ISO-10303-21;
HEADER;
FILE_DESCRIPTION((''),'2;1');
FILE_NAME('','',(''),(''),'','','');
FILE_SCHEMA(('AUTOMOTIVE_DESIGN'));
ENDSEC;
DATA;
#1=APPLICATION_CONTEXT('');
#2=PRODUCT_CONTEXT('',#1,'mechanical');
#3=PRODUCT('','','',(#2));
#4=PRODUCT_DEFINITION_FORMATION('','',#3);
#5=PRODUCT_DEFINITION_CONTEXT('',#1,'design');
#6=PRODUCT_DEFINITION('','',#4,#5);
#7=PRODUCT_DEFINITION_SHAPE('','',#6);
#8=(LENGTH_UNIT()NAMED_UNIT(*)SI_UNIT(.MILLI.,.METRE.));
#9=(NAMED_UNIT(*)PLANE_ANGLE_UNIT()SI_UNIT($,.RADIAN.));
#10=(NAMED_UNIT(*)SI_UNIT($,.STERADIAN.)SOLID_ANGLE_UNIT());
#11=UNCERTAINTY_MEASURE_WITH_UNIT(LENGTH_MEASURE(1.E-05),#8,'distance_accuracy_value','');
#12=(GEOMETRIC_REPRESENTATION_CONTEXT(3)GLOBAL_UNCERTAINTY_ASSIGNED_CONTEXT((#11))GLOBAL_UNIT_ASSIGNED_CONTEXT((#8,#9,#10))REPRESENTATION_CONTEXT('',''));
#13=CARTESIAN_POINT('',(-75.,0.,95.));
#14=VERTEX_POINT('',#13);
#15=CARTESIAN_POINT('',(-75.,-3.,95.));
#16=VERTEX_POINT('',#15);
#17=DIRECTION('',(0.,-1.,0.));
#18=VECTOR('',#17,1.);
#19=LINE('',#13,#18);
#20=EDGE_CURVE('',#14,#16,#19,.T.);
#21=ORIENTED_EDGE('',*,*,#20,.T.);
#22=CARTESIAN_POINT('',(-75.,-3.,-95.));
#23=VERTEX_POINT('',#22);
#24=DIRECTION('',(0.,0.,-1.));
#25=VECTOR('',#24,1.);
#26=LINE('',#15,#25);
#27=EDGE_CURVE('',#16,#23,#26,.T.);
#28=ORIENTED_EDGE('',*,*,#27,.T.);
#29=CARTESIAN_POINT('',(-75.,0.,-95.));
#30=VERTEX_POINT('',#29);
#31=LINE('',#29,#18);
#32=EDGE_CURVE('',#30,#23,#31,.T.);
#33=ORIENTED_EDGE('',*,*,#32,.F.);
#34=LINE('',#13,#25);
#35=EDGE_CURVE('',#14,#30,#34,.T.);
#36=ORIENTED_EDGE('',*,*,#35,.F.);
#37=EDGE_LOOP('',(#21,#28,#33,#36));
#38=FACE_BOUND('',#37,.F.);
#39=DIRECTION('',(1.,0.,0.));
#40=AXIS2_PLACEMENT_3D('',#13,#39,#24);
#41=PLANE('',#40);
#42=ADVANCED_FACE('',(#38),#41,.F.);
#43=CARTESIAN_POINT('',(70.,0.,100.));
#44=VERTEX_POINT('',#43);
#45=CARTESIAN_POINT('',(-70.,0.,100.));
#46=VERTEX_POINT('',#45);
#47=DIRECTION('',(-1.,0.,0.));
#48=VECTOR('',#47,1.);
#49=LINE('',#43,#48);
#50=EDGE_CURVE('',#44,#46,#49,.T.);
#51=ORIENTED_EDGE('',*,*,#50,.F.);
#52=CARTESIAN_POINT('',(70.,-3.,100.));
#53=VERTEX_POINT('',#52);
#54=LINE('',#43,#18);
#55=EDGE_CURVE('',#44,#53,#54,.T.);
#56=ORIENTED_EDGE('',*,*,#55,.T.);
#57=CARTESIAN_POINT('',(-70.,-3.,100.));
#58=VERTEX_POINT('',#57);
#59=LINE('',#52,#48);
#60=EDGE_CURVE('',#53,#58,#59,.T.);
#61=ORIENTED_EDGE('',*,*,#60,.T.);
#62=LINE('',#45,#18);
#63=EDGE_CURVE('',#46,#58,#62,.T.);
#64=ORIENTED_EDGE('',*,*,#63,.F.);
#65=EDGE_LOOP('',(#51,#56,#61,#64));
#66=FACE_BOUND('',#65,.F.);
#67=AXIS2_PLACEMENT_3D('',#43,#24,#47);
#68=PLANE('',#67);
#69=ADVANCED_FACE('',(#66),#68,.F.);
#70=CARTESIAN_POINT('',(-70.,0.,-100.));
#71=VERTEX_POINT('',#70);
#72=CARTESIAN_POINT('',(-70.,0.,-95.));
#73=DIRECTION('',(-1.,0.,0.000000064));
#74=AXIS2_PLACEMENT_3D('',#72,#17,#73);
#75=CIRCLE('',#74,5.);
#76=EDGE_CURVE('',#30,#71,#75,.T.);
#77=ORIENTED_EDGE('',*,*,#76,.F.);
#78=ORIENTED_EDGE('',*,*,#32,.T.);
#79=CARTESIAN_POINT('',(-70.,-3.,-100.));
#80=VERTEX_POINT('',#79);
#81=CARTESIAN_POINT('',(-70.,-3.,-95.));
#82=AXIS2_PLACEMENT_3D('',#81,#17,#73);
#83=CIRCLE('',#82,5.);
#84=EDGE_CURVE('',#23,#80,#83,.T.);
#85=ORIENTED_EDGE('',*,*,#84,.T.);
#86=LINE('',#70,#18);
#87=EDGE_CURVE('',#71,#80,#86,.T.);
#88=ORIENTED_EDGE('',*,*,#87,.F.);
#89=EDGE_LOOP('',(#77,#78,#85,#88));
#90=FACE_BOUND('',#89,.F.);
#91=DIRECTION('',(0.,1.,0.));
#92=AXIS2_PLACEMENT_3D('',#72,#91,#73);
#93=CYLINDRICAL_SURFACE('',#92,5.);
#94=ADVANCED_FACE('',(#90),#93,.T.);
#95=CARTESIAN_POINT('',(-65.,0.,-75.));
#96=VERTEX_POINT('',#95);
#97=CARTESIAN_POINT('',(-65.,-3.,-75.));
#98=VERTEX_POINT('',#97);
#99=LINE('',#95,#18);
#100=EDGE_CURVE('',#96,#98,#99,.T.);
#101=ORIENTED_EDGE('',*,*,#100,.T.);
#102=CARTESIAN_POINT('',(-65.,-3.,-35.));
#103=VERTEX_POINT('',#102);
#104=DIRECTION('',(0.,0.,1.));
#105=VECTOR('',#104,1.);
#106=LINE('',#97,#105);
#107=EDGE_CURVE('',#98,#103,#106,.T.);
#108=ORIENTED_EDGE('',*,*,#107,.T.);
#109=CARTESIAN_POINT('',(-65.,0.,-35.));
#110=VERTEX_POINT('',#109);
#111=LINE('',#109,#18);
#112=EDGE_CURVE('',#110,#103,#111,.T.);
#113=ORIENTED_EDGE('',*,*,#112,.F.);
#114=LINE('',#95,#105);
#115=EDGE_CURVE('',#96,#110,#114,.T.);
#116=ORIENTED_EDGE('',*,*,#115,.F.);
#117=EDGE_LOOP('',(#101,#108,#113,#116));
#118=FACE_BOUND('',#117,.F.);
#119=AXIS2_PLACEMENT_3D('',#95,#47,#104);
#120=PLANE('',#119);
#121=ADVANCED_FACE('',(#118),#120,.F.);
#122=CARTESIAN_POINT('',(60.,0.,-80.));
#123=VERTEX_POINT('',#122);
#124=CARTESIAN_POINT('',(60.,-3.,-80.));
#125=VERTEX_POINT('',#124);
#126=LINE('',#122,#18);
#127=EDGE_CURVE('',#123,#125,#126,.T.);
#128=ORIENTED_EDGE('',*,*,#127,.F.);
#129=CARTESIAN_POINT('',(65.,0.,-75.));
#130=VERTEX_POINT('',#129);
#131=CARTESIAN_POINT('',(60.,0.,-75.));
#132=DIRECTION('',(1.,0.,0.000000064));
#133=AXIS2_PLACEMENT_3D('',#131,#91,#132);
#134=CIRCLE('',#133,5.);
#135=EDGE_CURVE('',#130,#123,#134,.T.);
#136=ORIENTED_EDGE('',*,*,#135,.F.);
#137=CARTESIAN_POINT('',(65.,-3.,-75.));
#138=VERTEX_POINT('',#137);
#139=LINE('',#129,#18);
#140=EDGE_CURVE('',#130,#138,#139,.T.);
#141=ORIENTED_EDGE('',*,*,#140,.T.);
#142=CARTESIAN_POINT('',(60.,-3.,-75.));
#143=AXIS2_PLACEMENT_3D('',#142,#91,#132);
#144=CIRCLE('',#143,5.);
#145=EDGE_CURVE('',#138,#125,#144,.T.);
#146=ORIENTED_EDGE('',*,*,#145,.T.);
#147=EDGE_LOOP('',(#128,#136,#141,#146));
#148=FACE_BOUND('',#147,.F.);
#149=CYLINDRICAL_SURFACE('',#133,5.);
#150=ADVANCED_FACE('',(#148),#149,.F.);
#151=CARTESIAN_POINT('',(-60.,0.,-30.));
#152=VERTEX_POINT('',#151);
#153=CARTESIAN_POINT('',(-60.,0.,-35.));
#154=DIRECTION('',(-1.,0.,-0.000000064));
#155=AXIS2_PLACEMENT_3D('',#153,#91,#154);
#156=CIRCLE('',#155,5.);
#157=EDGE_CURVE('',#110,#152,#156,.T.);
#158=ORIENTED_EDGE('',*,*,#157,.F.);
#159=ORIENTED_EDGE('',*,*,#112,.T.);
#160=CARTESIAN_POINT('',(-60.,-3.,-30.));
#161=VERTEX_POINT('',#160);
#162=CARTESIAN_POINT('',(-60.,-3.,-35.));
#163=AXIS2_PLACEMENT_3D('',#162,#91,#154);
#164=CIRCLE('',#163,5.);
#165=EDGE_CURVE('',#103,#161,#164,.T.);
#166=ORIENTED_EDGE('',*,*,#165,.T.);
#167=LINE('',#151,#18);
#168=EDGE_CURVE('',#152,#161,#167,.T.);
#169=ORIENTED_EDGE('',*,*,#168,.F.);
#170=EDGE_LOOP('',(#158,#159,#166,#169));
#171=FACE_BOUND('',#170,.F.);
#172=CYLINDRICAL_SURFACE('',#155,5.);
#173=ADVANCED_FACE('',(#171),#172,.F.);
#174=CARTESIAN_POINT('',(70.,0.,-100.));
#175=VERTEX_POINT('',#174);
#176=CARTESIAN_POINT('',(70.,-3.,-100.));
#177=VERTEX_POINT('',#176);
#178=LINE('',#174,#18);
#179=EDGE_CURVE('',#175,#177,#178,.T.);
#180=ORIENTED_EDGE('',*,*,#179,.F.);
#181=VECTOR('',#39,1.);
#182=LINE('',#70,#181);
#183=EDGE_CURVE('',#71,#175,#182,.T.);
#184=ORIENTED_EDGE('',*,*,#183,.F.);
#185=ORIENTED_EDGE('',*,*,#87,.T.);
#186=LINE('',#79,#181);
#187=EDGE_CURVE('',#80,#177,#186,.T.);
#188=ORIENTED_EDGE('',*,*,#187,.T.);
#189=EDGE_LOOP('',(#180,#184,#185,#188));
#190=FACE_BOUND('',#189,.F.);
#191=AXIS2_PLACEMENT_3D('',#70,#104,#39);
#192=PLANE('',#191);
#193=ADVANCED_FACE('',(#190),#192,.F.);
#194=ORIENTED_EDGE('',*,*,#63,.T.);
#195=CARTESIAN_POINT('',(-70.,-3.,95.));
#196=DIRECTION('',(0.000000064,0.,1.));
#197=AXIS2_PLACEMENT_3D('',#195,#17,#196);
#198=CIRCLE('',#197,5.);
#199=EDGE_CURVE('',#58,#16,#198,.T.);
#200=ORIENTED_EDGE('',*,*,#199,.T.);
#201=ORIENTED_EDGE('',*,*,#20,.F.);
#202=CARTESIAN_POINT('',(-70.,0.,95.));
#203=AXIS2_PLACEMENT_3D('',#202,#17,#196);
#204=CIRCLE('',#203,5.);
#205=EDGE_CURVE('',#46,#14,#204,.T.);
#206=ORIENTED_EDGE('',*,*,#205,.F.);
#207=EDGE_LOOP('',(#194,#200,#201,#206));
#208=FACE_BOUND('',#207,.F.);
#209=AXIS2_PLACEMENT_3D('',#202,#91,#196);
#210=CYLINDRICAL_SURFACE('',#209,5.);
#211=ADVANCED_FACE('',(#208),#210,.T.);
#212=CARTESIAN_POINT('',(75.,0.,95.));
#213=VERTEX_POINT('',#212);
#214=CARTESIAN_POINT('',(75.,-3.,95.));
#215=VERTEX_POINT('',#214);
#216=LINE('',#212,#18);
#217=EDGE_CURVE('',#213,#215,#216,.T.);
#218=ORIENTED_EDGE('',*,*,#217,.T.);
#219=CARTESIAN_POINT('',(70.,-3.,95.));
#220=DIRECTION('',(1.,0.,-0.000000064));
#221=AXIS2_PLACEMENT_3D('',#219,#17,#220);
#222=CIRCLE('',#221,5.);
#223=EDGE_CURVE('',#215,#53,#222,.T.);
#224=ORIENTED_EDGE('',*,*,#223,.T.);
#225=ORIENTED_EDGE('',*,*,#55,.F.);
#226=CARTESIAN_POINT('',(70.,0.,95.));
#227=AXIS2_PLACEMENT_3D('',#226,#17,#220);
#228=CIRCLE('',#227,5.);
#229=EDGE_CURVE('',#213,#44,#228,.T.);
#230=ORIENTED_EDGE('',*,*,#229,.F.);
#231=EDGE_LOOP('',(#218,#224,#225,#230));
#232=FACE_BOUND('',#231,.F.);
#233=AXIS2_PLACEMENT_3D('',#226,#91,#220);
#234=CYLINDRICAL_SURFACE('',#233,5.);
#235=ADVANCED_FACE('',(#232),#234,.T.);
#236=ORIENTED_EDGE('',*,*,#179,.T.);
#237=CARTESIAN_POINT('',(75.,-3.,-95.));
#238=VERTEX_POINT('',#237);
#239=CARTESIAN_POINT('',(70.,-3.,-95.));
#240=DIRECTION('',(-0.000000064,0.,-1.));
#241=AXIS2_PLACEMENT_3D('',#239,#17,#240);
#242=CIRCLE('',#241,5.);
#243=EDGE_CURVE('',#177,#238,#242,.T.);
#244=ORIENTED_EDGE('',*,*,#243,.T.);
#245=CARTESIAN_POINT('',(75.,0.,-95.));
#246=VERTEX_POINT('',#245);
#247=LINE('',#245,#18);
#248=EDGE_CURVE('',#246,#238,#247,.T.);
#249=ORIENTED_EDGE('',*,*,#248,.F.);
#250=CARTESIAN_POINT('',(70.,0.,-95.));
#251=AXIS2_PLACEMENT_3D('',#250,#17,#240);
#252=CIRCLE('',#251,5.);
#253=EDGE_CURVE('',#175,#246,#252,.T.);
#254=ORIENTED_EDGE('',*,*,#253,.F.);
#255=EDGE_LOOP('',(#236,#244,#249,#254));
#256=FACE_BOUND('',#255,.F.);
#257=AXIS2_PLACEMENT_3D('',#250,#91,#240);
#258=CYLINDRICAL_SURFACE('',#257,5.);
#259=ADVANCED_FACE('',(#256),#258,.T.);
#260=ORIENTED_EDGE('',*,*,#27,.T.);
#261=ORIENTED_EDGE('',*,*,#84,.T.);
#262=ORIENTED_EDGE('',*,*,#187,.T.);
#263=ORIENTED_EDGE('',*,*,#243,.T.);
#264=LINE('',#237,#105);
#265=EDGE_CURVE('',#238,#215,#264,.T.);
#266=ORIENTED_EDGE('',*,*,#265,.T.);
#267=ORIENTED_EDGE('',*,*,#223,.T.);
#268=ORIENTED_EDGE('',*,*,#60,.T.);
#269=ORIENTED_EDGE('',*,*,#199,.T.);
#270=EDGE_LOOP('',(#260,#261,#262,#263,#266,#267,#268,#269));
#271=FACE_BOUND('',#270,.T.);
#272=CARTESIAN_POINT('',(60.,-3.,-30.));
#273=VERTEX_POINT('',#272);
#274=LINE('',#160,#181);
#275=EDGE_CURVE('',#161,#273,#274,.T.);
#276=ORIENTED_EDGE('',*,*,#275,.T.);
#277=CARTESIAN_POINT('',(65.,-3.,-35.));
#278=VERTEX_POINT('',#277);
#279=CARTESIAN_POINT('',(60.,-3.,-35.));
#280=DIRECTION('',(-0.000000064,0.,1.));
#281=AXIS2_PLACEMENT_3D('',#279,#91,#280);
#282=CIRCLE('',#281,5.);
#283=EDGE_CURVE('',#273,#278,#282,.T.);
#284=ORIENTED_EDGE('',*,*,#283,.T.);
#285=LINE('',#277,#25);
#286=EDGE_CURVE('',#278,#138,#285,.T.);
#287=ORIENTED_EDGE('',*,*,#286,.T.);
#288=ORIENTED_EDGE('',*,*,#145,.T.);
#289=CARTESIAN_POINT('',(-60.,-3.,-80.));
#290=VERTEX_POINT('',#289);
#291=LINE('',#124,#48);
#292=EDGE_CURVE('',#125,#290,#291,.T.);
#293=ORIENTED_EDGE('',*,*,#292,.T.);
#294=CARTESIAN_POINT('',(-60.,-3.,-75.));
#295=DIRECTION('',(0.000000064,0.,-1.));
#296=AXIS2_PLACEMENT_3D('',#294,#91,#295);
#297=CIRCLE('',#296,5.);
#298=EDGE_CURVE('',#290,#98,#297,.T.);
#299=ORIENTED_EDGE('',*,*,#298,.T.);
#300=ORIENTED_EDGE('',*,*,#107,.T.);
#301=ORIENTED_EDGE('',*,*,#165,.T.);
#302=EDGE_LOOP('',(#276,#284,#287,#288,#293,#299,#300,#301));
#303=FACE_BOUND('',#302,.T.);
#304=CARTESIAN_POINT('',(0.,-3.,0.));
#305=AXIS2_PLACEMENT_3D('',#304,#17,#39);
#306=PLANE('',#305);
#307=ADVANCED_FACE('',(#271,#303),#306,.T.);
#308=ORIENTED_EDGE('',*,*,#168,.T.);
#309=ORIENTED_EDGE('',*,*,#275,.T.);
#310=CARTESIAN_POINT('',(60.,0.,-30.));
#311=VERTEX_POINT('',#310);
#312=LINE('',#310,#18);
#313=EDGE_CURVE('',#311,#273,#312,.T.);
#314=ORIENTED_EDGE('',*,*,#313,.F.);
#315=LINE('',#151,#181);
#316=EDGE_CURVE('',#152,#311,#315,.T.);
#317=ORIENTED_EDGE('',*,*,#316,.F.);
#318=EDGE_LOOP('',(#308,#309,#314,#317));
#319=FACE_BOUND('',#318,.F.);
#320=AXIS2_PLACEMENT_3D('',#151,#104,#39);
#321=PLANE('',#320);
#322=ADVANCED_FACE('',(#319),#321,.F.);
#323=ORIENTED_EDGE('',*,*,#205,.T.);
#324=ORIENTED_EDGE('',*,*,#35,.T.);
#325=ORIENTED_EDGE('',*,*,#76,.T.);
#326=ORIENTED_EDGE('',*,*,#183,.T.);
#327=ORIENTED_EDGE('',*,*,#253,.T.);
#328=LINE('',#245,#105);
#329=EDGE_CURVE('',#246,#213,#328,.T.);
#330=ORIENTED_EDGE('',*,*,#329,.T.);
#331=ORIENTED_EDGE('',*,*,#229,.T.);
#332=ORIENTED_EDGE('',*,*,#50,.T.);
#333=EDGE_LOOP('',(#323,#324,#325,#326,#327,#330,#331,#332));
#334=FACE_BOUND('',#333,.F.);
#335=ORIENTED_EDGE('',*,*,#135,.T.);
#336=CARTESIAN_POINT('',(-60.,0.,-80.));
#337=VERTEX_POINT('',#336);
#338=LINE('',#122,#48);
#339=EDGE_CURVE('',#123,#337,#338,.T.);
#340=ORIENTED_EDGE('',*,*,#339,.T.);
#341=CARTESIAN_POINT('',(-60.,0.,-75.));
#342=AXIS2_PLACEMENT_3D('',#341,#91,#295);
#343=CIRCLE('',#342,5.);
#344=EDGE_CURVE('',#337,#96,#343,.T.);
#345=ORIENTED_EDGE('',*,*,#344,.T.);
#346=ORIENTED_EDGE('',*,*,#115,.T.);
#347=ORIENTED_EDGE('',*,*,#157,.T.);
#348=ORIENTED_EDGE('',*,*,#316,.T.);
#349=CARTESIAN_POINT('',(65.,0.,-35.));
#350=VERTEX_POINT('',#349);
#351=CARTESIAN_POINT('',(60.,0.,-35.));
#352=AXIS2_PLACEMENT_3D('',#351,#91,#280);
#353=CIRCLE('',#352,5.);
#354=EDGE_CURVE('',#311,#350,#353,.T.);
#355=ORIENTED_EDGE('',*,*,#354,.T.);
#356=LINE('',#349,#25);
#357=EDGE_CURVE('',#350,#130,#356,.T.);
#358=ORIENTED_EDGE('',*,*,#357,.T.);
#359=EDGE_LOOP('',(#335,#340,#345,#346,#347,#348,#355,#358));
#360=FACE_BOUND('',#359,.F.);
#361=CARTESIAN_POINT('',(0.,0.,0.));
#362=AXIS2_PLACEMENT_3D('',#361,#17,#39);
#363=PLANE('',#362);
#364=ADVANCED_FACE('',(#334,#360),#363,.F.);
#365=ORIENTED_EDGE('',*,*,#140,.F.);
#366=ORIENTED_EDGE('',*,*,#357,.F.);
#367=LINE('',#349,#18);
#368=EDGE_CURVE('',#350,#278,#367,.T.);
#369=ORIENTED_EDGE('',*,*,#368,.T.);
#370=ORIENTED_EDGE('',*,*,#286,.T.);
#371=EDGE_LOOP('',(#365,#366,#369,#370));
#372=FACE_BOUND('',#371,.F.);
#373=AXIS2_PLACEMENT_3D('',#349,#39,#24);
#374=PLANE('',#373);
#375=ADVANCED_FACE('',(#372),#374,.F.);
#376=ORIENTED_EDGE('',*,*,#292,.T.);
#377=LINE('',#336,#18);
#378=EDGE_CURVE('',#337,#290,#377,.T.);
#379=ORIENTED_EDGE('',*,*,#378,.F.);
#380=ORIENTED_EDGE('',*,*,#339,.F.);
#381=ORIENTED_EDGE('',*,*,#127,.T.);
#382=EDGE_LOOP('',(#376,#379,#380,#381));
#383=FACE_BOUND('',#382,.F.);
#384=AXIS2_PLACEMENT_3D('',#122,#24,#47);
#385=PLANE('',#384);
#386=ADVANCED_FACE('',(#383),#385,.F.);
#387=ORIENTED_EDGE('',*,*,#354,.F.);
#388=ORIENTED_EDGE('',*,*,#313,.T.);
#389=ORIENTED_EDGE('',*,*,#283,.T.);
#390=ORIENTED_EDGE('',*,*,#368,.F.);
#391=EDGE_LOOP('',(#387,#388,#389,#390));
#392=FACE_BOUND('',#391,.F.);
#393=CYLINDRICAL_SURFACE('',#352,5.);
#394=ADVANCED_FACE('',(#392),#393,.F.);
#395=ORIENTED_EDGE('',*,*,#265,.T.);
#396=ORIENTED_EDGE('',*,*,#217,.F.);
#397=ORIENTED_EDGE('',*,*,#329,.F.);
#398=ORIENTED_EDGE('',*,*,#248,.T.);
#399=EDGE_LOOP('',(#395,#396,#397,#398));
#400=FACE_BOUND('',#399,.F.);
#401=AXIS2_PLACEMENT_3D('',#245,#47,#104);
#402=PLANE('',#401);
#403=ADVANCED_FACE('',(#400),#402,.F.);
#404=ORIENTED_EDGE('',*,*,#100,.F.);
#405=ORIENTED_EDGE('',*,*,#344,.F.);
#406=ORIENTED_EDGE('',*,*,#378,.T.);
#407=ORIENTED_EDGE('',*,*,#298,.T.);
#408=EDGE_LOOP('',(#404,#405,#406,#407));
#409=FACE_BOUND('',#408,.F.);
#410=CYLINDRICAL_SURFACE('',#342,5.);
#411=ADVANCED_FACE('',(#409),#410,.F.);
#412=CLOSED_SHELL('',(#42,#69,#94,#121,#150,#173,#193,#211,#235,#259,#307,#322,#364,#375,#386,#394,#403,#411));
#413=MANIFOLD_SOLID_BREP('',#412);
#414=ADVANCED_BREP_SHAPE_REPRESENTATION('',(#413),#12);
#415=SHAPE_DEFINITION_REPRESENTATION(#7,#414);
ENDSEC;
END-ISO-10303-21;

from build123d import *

# Parameters (mm, degrees)
F1_DEPTH = 3


with BuildPart() as f1:
    # F0 (on Front) → F1 (new body)
    with BuildSketch(Plane.XZ):
        with BuildLine():
            Line((70, 100), (-70, 100))
            ThreePointArc((-70, 100), (-73.535534, 98.535534), (-75, 95))
            Line((-75, 95), (-75, -95))
            ThreePointArc((-75, -95), (-73.535534, -98.535534), (-70, -100))
            Line((-70, -100), (70, -100))
            ThreePointArc((70, -100), (73.535534, -98.535534), (75, -95))
            Line((75, -95), (75, 95))
            ThreePointArc((75, 95), (73.535534, 98.535534), (70, 100))
        make_face()
        with BuildLine():
            ThreePointArc((-65, -35), (-63.535534, -31.464466), (-60, -30))
            Line((-60, -30), (60, -30))
            ThreePointArc((60, -30), (63.535534, -31.464466), (65, -35))
            Line((65, -35), (65, -75))
            ThreePointArc((65, -75), (63.535534, -78.535534), (60, -80))
            Line((60, -80), (-60, -80))
            ThreePointArc((-60, -80), (-63.535534, -78.535534), (-65, -75))
            Line((-65, -75), (-65, -35))
        make_face(mode=Mode.SUBTRACT)
    extrude(amount=F1_DEPTH)


solid = f1.part
